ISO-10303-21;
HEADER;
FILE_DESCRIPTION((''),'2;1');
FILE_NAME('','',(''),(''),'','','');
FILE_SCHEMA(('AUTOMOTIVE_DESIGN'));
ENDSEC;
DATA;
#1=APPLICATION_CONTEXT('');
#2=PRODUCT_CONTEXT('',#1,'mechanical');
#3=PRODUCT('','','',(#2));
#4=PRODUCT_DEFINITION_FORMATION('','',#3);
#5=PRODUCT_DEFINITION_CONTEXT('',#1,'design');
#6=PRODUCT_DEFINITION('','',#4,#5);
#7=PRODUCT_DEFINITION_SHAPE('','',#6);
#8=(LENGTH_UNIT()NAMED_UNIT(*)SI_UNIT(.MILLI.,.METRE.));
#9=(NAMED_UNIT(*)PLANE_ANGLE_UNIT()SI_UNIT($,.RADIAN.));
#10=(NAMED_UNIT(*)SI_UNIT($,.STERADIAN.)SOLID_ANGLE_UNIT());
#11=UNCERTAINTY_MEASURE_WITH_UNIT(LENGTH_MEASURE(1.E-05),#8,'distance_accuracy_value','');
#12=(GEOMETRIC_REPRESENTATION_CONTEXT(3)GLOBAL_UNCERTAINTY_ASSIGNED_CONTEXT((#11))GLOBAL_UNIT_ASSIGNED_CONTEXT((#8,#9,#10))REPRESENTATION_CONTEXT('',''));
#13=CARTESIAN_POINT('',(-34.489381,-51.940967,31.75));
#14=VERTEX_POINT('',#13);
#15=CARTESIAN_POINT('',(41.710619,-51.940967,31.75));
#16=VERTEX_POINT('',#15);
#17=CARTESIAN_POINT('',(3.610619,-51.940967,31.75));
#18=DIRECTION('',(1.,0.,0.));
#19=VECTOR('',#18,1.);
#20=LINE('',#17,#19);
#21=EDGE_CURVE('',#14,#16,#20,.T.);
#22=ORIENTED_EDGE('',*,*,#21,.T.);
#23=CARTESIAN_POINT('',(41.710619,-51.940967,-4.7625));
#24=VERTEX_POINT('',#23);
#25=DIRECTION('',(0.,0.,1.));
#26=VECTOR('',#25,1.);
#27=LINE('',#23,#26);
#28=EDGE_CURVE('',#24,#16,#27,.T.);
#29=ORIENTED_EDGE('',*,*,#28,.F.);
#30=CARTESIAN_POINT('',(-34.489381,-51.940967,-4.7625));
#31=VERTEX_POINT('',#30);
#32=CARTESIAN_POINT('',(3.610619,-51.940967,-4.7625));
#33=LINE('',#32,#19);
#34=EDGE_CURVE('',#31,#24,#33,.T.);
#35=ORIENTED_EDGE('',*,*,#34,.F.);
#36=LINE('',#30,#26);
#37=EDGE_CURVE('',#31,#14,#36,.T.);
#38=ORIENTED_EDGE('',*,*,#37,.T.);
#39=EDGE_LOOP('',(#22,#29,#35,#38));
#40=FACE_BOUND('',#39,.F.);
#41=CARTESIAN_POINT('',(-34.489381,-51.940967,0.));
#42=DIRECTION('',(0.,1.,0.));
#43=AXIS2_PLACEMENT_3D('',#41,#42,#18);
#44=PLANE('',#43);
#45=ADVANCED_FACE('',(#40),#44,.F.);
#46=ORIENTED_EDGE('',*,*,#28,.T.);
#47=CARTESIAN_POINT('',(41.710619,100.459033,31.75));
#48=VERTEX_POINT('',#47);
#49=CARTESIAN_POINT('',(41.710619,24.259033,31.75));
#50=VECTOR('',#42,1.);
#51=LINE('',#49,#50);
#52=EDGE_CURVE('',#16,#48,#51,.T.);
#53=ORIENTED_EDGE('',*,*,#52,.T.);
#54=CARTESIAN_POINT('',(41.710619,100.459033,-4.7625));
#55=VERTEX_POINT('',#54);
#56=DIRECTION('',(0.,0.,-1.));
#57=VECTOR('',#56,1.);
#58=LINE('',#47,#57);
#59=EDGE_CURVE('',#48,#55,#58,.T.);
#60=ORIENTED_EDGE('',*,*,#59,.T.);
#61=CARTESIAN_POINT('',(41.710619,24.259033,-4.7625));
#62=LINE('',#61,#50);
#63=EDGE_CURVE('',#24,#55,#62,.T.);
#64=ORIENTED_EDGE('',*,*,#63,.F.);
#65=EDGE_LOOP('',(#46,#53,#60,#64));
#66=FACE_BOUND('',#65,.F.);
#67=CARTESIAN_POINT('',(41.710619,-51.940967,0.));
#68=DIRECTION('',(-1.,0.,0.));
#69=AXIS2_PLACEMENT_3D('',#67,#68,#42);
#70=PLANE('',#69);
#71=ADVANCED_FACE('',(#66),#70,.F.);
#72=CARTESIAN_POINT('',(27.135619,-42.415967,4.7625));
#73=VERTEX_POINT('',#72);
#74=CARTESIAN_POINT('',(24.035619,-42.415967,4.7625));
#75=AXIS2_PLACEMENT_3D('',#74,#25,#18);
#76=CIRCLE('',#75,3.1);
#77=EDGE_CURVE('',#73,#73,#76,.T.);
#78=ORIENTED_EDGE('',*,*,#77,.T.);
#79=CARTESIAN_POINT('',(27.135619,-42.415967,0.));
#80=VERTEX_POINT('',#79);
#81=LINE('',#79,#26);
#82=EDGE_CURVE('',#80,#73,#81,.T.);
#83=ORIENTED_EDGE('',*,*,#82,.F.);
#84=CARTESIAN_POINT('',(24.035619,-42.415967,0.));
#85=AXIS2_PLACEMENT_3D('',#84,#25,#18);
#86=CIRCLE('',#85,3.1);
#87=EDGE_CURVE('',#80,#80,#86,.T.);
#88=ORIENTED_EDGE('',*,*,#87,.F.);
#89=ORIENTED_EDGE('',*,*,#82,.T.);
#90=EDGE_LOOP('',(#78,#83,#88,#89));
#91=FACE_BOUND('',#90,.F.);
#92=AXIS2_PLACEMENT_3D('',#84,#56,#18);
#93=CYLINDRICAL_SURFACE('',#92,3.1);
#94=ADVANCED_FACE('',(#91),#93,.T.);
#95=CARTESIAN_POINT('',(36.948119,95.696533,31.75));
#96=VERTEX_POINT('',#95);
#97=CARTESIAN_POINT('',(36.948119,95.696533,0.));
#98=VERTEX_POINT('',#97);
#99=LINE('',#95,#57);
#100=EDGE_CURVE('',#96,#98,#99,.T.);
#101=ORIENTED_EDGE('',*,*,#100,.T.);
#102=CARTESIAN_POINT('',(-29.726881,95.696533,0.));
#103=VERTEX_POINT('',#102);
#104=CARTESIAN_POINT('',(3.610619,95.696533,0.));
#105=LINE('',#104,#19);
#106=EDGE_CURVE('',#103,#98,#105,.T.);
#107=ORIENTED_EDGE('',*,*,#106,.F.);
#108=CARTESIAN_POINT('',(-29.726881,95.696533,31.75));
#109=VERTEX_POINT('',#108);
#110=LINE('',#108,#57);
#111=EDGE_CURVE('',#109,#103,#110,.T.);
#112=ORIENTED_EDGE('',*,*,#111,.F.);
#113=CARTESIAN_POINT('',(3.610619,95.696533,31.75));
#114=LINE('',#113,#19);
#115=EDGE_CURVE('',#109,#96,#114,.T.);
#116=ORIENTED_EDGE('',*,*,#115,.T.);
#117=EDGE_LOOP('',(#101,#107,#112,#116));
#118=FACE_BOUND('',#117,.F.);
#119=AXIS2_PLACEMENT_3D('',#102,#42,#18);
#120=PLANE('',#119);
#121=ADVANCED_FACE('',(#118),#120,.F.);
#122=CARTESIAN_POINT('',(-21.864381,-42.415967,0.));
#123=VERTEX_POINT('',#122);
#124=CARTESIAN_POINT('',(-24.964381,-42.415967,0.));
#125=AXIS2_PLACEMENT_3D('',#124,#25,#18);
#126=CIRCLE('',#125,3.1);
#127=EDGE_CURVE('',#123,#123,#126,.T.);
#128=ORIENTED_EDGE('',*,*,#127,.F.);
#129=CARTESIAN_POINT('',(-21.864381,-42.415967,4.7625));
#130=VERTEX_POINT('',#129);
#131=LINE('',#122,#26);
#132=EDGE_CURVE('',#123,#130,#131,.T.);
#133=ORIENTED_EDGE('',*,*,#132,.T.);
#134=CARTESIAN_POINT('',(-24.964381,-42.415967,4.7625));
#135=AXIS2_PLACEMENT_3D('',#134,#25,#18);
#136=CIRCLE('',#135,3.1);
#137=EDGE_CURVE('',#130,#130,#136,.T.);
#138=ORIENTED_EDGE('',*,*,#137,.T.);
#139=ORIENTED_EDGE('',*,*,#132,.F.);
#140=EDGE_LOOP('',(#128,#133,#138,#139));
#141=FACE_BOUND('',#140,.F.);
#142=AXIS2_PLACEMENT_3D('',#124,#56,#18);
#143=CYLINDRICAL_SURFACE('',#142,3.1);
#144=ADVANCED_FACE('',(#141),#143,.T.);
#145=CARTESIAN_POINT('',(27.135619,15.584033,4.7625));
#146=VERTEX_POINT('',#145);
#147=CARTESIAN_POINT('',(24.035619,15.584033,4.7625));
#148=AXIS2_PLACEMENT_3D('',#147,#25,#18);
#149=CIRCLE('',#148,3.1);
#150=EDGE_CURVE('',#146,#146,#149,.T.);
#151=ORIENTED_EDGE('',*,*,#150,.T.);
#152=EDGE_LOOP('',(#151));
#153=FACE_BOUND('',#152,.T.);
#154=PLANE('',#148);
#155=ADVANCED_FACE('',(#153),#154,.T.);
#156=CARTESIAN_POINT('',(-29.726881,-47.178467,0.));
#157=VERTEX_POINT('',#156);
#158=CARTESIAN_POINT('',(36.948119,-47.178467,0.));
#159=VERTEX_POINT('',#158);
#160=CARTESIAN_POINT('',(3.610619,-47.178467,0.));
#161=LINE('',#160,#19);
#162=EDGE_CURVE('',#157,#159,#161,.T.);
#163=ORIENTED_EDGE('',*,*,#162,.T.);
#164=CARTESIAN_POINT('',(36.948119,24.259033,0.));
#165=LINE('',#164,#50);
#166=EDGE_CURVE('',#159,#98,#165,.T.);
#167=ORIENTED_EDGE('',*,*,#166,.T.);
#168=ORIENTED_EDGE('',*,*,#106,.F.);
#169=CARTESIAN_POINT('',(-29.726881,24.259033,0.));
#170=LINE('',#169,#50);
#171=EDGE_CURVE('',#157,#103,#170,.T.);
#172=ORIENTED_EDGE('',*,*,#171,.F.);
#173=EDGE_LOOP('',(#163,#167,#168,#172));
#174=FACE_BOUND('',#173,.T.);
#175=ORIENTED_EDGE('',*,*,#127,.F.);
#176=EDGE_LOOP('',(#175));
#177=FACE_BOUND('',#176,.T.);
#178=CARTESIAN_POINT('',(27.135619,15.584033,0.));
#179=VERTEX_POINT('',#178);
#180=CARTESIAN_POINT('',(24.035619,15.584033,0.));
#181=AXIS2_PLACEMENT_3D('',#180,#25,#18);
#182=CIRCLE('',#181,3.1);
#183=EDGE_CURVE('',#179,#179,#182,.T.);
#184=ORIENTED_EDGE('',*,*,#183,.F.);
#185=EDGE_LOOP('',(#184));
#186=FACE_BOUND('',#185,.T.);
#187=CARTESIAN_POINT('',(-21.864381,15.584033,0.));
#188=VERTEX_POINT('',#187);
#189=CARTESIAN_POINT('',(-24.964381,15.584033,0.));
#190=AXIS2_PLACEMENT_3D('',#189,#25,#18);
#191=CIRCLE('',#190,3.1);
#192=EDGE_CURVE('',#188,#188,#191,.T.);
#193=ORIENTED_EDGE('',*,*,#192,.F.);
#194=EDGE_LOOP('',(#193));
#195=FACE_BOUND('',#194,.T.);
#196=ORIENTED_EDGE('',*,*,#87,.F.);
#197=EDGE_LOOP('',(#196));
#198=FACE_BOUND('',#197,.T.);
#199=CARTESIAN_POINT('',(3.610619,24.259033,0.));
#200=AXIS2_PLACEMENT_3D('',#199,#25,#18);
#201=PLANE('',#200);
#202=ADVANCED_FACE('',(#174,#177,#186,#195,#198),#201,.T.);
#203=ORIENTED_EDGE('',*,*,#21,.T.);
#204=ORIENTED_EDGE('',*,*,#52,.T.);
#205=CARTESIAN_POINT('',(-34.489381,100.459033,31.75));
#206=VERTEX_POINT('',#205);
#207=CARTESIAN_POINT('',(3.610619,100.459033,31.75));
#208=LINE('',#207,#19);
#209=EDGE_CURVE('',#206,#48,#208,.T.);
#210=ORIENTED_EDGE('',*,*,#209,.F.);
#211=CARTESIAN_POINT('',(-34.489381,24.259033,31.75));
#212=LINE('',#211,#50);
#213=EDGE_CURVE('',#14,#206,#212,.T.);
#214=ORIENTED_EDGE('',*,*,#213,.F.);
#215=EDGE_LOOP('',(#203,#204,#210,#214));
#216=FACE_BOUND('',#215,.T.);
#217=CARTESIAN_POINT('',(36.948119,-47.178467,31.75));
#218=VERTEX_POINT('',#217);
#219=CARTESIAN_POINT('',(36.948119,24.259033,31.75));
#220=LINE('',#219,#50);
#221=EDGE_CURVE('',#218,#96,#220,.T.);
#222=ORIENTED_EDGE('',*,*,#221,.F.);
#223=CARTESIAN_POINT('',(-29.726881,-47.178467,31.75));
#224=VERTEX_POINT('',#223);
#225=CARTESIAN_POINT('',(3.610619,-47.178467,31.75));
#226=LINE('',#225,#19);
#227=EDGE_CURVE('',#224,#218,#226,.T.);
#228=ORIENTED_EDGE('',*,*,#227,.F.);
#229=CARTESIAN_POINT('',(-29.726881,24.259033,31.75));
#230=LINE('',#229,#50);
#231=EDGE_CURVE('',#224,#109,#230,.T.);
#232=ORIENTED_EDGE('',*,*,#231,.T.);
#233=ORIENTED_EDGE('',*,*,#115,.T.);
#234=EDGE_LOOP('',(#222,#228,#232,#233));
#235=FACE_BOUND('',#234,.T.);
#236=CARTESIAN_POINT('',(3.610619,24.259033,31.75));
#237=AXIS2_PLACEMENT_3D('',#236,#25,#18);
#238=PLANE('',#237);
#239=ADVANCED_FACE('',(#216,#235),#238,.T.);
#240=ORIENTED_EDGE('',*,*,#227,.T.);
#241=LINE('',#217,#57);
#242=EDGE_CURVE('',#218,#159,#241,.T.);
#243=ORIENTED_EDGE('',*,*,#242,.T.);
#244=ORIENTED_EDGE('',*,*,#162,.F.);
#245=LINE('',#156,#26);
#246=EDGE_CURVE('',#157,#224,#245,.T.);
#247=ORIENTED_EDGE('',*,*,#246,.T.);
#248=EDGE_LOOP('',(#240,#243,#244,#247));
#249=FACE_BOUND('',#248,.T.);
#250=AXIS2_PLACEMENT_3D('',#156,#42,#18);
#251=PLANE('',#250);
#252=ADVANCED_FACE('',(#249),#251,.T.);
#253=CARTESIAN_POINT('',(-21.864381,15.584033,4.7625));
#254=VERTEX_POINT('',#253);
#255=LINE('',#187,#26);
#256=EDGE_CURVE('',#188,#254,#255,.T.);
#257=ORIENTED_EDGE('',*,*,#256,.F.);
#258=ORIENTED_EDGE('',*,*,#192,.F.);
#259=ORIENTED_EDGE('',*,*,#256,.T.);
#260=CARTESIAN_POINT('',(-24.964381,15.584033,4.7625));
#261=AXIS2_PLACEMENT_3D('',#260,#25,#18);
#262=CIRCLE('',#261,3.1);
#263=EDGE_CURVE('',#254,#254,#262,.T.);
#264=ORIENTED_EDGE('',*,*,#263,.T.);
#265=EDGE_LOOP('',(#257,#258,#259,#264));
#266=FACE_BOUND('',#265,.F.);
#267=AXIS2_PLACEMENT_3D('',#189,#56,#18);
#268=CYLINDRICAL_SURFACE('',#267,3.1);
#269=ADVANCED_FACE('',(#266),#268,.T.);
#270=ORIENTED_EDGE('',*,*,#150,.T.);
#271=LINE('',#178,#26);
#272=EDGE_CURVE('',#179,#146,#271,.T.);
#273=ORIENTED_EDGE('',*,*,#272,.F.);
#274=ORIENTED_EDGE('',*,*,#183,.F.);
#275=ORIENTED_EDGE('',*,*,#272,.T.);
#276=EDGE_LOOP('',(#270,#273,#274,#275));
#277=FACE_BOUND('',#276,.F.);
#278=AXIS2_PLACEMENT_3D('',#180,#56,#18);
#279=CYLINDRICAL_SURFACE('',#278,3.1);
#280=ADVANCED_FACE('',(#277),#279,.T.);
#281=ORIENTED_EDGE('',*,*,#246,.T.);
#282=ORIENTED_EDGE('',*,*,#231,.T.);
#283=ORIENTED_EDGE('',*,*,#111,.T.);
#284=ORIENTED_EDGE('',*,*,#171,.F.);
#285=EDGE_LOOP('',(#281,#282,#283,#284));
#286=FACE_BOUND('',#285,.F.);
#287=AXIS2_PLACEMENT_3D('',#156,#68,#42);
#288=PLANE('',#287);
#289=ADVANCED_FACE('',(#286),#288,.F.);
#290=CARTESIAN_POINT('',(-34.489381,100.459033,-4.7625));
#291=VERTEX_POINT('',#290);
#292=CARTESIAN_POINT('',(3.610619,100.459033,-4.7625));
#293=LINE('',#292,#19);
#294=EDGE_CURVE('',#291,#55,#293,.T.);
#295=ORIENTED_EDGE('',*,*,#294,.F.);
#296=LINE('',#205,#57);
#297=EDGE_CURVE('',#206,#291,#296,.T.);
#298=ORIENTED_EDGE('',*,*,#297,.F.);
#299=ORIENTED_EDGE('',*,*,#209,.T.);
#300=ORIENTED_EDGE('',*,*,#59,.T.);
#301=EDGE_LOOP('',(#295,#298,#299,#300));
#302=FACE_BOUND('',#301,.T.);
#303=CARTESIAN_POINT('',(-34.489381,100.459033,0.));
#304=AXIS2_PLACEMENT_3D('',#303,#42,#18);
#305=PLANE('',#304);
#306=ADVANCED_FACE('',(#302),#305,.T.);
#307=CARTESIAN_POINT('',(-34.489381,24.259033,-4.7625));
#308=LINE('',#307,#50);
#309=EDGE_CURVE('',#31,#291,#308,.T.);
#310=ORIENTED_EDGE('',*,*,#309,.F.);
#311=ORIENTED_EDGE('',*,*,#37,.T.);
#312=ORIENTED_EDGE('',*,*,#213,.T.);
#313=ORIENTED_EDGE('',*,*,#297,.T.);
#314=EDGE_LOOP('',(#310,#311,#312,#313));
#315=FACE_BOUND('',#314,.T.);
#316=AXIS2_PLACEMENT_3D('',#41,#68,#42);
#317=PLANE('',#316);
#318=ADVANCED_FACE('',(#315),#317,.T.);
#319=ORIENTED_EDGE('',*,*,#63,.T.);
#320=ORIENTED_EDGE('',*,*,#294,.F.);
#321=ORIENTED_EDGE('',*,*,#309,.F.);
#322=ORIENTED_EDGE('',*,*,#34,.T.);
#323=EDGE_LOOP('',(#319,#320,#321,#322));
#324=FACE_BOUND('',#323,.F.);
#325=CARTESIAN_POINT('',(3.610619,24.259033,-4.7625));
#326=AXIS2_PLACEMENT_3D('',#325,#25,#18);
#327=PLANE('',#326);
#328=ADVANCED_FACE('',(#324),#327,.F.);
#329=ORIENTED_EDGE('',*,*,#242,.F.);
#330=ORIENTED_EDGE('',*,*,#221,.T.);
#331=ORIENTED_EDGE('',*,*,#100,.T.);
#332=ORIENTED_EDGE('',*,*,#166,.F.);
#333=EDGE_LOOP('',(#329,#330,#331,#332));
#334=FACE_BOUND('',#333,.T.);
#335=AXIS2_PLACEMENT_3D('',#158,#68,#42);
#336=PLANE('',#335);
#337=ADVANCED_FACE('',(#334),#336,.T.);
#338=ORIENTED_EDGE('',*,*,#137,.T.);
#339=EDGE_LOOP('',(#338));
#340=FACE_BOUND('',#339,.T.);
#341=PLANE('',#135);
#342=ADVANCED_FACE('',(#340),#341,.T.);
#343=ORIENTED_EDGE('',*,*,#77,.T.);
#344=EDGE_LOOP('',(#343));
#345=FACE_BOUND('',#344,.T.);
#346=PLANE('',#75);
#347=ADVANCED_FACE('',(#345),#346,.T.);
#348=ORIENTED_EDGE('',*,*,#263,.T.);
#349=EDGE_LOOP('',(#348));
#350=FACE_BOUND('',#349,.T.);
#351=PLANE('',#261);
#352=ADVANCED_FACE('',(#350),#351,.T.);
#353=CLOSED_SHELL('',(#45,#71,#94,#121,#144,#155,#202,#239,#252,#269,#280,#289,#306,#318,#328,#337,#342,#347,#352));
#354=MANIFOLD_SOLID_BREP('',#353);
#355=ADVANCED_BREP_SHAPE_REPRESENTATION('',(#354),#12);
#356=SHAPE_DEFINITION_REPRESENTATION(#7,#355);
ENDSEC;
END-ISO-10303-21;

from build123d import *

# Parameters (mm, degrees)
F0_W     = 76.2
F0_H     = 152.4
F0_W_2   = 66.675
F0_H_2   = 142.875
F0_R     = 3.1
F1_DEPTH = 4.7625
F2_DEPTH = 31.75
F3_DEPTH = 25.4
F4_DEPTH = 4.7625


with BuildPart() as f1:
    # F0 (on Top) → F1 (new body)
    with BuildSketch(Plane.XY):
        with Locations((3.610619, 24.259033)):
            Rectangle(F0_W, F0_H)
        with Locations((3.610619, 24.259033)):
            Rectangle(F0_W_2, F0_H_2, mode=Mode.SUBTRACT)
        with Locations((3.610619, 24.259033)):
            Rectangle(F0_W_2, F0_H_2)
        with BuildLine():
            ThreePointArc((-28.464381, 36.084033), (-27.585701, 38.205353), (-25.464381, 39.084033))
            Line((-25.464381, 39.084033), (24.535619, 39.084033))
            ThreePointArc((24.535619, 39.084033), (26.65694, 38.205353), (27.535619, 36.084033))
            Line((27.535619, 36.084033), (27.535619, -42.915967))
            ThreePointArc((27.535619, -42.915967), (26.65694, -45.037288), (24.535619, -45.915967))
            Line((24.535619, -45.915967), (-25.464381, -45.915967))
            ThreePointArc((-25.464381, -45.915967), (-27.585701, -45.037288), (-28.464381, -42.915967))
            Line((-28.464381, -42.915967), (-28.464381, 36.084033))
        make_face(mode=Mode.SUBTRACT)
        with BuildLine():
            Line((24.535619, 39.084033), (-25.464381, 39.084033))
            ThreePointArc((-25.464381, 39.084033), (-27.585701, 38.205353), (-28.464381, 36.084033))
            Line((-28.464381, 36.084033), (-28.464381, -42.915967))
            ThreePointArc((-28.464381, -42.915967), (-27.585701, -45.037288), (-25.464381, -45.915967))
            Line((-25.464381, -45.915967), (24.535619, -45.915967))
            ThreePointArc((24.535619, -45.915967), (26.65694, -45.037288), (27.535619, -42.915967))
            Line((27.535619, -42.915967), (27.535619, 36.084033))
            ThreePointArc((27.535619, 36.084033), (26.65694, 38.205353), (24.535619, 39.084033))
        make_face()
        with Locations((-24.964381, -42.415967)):
            Circle(F0_R, mode=Mode.SUBTRACT)
        with Locations((-24.964381, 15.584033)):
            Circle(F0_R, mode=Mode.SUBTRACT)
        with Locations((24.035619, -42.415967)):
            Circle(F0_R, mode=Mode.SUBTRACT)
        with Locations((24.035619, 15.584033)):
            Circle(F0_R, mode=Mode.SUBTRACT)
        with Locations((24.035619, 15.584033)):
            Circle(F0_R)
        with Locations((24.035619, -42.415967)):
            Circle(F0_R)
        with Locations((-24.964381, -42.415967)):
            Circle(F0_R)
        with Locations((-24.964381, 15.584033)):
            Circle(F0_R)
    extrude(amount=-F1_DEPTH)

    # F0 (on Top) → F2 (join)
    with BuildSketch(Plane.XY):
        with Locations((3.610619, 24.259033)):
            Rectangle(F0_W, F0_H)
        with Locations((3.610619, 24.259033)):
            Rectangle(F0_W_2, F0_H_2, mode=Mode.SUBTRACT)
    extrude(amount=F2_DEPTH)

    # F0 (on Top) → F3 (join)
    with BuildSketch(Plane.XY):
        with Locations((3.610619, 24.259033)):
            Rectangle(F0_W, F0_H)
        with Locations((3.610619, 24.259033)):
            Rectangle(F0_W_2, F0_H_2, mode=Mode.SUBTRACT)
    extrude(amount=F3_DEPTH)

    # F0 (on Top) → F4 (join)
    with BuildSketch(Plane.XY):
        with Locations((24.035619, 15.584033)):
            Circle(F0_R)
        with Locations((24.035619, -42.415967)):
            Circle(F0_R)
        with Locations((-24.964381, -42.415967)):
            Circle(F0_R)
        with Locations((-24.964381, 15.584033)):
            Circle(F0_R)
    extrude(amount=F4_DEPTH)


solid = f1.part
